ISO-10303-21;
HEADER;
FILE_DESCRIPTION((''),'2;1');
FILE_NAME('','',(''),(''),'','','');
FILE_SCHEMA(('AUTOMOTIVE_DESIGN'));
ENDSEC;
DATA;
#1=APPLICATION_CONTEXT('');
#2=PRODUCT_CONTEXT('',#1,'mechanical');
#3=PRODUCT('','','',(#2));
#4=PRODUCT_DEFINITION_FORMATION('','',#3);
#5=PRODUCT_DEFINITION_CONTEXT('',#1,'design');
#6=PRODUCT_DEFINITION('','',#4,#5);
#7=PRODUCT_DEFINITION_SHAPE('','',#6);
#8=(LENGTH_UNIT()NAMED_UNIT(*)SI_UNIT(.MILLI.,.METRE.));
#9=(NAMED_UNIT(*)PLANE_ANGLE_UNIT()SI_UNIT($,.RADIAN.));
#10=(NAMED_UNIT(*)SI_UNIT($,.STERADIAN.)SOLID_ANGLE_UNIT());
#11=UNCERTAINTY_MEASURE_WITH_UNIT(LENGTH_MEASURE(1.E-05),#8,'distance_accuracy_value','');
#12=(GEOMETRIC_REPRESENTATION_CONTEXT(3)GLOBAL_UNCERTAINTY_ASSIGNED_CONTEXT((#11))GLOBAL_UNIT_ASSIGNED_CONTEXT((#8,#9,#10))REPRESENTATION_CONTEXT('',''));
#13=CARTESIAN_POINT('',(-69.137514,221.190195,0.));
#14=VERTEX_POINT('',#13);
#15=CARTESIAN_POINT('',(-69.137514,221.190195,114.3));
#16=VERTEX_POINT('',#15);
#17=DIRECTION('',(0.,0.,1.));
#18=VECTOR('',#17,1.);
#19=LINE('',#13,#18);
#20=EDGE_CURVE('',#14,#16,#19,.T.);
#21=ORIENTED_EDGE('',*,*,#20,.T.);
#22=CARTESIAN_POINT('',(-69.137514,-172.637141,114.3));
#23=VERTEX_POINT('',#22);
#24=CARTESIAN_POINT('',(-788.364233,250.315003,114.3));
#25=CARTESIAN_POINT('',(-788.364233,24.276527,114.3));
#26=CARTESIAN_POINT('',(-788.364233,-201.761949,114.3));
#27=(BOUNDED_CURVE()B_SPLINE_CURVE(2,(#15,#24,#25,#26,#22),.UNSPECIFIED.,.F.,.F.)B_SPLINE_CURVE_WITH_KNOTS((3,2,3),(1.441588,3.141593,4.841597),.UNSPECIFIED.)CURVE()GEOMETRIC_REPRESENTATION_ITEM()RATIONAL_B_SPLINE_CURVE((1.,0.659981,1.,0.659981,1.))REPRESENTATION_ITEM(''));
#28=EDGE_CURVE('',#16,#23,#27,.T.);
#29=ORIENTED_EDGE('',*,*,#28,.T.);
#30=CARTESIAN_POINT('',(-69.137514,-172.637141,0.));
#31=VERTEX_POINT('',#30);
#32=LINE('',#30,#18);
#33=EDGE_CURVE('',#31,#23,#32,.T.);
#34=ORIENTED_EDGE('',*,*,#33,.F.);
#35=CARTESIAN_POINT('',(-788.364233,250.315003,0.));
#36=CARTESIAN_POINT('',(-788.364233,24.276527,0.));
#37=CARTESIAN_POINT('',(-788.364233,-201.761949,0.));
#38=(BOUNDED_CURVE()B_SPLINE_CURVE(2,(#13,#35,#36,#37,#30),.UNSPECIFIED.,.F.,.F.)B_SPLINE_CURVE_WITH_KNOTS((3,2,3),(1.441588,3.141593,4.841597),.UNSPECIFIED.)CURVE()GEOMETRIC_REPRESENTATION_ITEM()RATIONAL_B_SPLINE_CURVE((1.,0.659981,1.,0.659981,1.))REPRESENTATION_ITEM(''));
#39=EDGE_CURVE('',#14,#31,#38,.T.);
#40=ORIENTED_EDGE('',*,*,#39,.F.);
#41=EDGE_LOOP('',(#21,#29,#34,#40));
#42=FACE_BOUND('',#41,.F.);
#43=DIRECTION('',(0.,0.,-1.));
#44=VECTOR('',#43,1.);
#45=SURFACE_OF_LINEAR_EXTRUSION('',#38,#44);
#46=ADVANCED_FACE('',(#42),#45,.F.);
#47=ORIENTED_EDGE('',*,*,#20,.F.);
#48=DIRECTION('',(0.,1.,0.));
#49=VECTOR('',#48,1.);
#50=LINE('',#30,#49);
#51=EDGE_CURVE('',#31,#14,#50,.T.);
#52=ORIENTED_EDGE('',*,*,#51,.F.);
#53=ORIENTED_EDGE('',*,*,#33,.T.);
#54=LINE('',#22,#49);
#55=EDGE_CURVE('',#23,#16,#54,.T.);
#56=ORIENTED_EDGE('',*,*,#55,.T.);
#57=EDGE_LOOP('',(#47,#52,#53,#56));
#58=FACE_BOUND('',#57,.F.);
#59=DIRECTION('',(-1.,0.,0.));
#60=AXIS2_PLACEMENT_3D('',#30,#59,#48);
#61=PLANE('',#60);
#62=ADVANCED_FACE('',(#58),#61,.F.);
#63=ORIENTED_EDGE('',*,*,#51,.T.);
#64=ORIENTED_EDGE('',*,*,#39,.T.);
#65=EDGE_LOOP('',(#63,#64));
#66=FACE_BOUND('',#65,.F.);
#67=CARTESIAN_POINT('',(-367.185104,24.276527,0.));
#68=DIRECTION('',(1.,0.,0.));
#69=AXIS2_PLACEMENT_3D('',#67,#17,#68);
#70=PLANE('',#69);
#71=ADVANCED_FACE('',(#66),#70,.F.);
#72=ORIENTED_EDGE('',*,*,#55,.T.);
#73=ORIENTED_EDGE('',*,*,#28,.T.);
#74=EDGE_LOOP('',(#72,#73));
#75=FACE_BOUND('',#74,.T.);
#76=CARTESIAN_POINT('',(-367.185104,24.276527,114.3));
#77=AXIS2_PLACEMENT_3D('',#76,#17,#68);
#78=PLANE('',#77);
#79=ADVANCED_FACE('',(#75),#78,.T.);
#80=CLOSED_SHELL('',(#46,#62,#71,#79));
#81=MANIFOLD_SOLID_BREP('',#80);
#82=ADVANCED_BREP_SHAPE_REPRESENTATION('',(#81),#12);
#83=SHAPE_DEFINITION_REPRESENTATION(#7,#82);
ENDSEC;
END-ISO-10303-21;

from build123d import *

# Parameters (mm, degrees)
F1_DEPTH = 114.3


with BuildPart() as f1:
    # F0 (on Top) → F1 (new body)
    with BuildSketch(Plane.XY):
        with BuildLine():
            Line((-69.137514, -172.637141), (-69.137514, 221.190195))
            add(Edge.make_bspline(
                [(-69.137514, 221.190195), (-788.364233, 250.315003), (-788.364233, 24.276527), (-788.364233, -201.761949), (-69.137514, -172.637141)],
                knots=[1.441588, 1.441588, 1.441588, 3.141593, 3.141593, 4.841597, 4.841597, 4.841597], degree=2, weights=[1, 0.659981, 1, 0.659981, 1]))
        make_face()
    extrude(amount=F1_DEPTH)


solid = f1.part
